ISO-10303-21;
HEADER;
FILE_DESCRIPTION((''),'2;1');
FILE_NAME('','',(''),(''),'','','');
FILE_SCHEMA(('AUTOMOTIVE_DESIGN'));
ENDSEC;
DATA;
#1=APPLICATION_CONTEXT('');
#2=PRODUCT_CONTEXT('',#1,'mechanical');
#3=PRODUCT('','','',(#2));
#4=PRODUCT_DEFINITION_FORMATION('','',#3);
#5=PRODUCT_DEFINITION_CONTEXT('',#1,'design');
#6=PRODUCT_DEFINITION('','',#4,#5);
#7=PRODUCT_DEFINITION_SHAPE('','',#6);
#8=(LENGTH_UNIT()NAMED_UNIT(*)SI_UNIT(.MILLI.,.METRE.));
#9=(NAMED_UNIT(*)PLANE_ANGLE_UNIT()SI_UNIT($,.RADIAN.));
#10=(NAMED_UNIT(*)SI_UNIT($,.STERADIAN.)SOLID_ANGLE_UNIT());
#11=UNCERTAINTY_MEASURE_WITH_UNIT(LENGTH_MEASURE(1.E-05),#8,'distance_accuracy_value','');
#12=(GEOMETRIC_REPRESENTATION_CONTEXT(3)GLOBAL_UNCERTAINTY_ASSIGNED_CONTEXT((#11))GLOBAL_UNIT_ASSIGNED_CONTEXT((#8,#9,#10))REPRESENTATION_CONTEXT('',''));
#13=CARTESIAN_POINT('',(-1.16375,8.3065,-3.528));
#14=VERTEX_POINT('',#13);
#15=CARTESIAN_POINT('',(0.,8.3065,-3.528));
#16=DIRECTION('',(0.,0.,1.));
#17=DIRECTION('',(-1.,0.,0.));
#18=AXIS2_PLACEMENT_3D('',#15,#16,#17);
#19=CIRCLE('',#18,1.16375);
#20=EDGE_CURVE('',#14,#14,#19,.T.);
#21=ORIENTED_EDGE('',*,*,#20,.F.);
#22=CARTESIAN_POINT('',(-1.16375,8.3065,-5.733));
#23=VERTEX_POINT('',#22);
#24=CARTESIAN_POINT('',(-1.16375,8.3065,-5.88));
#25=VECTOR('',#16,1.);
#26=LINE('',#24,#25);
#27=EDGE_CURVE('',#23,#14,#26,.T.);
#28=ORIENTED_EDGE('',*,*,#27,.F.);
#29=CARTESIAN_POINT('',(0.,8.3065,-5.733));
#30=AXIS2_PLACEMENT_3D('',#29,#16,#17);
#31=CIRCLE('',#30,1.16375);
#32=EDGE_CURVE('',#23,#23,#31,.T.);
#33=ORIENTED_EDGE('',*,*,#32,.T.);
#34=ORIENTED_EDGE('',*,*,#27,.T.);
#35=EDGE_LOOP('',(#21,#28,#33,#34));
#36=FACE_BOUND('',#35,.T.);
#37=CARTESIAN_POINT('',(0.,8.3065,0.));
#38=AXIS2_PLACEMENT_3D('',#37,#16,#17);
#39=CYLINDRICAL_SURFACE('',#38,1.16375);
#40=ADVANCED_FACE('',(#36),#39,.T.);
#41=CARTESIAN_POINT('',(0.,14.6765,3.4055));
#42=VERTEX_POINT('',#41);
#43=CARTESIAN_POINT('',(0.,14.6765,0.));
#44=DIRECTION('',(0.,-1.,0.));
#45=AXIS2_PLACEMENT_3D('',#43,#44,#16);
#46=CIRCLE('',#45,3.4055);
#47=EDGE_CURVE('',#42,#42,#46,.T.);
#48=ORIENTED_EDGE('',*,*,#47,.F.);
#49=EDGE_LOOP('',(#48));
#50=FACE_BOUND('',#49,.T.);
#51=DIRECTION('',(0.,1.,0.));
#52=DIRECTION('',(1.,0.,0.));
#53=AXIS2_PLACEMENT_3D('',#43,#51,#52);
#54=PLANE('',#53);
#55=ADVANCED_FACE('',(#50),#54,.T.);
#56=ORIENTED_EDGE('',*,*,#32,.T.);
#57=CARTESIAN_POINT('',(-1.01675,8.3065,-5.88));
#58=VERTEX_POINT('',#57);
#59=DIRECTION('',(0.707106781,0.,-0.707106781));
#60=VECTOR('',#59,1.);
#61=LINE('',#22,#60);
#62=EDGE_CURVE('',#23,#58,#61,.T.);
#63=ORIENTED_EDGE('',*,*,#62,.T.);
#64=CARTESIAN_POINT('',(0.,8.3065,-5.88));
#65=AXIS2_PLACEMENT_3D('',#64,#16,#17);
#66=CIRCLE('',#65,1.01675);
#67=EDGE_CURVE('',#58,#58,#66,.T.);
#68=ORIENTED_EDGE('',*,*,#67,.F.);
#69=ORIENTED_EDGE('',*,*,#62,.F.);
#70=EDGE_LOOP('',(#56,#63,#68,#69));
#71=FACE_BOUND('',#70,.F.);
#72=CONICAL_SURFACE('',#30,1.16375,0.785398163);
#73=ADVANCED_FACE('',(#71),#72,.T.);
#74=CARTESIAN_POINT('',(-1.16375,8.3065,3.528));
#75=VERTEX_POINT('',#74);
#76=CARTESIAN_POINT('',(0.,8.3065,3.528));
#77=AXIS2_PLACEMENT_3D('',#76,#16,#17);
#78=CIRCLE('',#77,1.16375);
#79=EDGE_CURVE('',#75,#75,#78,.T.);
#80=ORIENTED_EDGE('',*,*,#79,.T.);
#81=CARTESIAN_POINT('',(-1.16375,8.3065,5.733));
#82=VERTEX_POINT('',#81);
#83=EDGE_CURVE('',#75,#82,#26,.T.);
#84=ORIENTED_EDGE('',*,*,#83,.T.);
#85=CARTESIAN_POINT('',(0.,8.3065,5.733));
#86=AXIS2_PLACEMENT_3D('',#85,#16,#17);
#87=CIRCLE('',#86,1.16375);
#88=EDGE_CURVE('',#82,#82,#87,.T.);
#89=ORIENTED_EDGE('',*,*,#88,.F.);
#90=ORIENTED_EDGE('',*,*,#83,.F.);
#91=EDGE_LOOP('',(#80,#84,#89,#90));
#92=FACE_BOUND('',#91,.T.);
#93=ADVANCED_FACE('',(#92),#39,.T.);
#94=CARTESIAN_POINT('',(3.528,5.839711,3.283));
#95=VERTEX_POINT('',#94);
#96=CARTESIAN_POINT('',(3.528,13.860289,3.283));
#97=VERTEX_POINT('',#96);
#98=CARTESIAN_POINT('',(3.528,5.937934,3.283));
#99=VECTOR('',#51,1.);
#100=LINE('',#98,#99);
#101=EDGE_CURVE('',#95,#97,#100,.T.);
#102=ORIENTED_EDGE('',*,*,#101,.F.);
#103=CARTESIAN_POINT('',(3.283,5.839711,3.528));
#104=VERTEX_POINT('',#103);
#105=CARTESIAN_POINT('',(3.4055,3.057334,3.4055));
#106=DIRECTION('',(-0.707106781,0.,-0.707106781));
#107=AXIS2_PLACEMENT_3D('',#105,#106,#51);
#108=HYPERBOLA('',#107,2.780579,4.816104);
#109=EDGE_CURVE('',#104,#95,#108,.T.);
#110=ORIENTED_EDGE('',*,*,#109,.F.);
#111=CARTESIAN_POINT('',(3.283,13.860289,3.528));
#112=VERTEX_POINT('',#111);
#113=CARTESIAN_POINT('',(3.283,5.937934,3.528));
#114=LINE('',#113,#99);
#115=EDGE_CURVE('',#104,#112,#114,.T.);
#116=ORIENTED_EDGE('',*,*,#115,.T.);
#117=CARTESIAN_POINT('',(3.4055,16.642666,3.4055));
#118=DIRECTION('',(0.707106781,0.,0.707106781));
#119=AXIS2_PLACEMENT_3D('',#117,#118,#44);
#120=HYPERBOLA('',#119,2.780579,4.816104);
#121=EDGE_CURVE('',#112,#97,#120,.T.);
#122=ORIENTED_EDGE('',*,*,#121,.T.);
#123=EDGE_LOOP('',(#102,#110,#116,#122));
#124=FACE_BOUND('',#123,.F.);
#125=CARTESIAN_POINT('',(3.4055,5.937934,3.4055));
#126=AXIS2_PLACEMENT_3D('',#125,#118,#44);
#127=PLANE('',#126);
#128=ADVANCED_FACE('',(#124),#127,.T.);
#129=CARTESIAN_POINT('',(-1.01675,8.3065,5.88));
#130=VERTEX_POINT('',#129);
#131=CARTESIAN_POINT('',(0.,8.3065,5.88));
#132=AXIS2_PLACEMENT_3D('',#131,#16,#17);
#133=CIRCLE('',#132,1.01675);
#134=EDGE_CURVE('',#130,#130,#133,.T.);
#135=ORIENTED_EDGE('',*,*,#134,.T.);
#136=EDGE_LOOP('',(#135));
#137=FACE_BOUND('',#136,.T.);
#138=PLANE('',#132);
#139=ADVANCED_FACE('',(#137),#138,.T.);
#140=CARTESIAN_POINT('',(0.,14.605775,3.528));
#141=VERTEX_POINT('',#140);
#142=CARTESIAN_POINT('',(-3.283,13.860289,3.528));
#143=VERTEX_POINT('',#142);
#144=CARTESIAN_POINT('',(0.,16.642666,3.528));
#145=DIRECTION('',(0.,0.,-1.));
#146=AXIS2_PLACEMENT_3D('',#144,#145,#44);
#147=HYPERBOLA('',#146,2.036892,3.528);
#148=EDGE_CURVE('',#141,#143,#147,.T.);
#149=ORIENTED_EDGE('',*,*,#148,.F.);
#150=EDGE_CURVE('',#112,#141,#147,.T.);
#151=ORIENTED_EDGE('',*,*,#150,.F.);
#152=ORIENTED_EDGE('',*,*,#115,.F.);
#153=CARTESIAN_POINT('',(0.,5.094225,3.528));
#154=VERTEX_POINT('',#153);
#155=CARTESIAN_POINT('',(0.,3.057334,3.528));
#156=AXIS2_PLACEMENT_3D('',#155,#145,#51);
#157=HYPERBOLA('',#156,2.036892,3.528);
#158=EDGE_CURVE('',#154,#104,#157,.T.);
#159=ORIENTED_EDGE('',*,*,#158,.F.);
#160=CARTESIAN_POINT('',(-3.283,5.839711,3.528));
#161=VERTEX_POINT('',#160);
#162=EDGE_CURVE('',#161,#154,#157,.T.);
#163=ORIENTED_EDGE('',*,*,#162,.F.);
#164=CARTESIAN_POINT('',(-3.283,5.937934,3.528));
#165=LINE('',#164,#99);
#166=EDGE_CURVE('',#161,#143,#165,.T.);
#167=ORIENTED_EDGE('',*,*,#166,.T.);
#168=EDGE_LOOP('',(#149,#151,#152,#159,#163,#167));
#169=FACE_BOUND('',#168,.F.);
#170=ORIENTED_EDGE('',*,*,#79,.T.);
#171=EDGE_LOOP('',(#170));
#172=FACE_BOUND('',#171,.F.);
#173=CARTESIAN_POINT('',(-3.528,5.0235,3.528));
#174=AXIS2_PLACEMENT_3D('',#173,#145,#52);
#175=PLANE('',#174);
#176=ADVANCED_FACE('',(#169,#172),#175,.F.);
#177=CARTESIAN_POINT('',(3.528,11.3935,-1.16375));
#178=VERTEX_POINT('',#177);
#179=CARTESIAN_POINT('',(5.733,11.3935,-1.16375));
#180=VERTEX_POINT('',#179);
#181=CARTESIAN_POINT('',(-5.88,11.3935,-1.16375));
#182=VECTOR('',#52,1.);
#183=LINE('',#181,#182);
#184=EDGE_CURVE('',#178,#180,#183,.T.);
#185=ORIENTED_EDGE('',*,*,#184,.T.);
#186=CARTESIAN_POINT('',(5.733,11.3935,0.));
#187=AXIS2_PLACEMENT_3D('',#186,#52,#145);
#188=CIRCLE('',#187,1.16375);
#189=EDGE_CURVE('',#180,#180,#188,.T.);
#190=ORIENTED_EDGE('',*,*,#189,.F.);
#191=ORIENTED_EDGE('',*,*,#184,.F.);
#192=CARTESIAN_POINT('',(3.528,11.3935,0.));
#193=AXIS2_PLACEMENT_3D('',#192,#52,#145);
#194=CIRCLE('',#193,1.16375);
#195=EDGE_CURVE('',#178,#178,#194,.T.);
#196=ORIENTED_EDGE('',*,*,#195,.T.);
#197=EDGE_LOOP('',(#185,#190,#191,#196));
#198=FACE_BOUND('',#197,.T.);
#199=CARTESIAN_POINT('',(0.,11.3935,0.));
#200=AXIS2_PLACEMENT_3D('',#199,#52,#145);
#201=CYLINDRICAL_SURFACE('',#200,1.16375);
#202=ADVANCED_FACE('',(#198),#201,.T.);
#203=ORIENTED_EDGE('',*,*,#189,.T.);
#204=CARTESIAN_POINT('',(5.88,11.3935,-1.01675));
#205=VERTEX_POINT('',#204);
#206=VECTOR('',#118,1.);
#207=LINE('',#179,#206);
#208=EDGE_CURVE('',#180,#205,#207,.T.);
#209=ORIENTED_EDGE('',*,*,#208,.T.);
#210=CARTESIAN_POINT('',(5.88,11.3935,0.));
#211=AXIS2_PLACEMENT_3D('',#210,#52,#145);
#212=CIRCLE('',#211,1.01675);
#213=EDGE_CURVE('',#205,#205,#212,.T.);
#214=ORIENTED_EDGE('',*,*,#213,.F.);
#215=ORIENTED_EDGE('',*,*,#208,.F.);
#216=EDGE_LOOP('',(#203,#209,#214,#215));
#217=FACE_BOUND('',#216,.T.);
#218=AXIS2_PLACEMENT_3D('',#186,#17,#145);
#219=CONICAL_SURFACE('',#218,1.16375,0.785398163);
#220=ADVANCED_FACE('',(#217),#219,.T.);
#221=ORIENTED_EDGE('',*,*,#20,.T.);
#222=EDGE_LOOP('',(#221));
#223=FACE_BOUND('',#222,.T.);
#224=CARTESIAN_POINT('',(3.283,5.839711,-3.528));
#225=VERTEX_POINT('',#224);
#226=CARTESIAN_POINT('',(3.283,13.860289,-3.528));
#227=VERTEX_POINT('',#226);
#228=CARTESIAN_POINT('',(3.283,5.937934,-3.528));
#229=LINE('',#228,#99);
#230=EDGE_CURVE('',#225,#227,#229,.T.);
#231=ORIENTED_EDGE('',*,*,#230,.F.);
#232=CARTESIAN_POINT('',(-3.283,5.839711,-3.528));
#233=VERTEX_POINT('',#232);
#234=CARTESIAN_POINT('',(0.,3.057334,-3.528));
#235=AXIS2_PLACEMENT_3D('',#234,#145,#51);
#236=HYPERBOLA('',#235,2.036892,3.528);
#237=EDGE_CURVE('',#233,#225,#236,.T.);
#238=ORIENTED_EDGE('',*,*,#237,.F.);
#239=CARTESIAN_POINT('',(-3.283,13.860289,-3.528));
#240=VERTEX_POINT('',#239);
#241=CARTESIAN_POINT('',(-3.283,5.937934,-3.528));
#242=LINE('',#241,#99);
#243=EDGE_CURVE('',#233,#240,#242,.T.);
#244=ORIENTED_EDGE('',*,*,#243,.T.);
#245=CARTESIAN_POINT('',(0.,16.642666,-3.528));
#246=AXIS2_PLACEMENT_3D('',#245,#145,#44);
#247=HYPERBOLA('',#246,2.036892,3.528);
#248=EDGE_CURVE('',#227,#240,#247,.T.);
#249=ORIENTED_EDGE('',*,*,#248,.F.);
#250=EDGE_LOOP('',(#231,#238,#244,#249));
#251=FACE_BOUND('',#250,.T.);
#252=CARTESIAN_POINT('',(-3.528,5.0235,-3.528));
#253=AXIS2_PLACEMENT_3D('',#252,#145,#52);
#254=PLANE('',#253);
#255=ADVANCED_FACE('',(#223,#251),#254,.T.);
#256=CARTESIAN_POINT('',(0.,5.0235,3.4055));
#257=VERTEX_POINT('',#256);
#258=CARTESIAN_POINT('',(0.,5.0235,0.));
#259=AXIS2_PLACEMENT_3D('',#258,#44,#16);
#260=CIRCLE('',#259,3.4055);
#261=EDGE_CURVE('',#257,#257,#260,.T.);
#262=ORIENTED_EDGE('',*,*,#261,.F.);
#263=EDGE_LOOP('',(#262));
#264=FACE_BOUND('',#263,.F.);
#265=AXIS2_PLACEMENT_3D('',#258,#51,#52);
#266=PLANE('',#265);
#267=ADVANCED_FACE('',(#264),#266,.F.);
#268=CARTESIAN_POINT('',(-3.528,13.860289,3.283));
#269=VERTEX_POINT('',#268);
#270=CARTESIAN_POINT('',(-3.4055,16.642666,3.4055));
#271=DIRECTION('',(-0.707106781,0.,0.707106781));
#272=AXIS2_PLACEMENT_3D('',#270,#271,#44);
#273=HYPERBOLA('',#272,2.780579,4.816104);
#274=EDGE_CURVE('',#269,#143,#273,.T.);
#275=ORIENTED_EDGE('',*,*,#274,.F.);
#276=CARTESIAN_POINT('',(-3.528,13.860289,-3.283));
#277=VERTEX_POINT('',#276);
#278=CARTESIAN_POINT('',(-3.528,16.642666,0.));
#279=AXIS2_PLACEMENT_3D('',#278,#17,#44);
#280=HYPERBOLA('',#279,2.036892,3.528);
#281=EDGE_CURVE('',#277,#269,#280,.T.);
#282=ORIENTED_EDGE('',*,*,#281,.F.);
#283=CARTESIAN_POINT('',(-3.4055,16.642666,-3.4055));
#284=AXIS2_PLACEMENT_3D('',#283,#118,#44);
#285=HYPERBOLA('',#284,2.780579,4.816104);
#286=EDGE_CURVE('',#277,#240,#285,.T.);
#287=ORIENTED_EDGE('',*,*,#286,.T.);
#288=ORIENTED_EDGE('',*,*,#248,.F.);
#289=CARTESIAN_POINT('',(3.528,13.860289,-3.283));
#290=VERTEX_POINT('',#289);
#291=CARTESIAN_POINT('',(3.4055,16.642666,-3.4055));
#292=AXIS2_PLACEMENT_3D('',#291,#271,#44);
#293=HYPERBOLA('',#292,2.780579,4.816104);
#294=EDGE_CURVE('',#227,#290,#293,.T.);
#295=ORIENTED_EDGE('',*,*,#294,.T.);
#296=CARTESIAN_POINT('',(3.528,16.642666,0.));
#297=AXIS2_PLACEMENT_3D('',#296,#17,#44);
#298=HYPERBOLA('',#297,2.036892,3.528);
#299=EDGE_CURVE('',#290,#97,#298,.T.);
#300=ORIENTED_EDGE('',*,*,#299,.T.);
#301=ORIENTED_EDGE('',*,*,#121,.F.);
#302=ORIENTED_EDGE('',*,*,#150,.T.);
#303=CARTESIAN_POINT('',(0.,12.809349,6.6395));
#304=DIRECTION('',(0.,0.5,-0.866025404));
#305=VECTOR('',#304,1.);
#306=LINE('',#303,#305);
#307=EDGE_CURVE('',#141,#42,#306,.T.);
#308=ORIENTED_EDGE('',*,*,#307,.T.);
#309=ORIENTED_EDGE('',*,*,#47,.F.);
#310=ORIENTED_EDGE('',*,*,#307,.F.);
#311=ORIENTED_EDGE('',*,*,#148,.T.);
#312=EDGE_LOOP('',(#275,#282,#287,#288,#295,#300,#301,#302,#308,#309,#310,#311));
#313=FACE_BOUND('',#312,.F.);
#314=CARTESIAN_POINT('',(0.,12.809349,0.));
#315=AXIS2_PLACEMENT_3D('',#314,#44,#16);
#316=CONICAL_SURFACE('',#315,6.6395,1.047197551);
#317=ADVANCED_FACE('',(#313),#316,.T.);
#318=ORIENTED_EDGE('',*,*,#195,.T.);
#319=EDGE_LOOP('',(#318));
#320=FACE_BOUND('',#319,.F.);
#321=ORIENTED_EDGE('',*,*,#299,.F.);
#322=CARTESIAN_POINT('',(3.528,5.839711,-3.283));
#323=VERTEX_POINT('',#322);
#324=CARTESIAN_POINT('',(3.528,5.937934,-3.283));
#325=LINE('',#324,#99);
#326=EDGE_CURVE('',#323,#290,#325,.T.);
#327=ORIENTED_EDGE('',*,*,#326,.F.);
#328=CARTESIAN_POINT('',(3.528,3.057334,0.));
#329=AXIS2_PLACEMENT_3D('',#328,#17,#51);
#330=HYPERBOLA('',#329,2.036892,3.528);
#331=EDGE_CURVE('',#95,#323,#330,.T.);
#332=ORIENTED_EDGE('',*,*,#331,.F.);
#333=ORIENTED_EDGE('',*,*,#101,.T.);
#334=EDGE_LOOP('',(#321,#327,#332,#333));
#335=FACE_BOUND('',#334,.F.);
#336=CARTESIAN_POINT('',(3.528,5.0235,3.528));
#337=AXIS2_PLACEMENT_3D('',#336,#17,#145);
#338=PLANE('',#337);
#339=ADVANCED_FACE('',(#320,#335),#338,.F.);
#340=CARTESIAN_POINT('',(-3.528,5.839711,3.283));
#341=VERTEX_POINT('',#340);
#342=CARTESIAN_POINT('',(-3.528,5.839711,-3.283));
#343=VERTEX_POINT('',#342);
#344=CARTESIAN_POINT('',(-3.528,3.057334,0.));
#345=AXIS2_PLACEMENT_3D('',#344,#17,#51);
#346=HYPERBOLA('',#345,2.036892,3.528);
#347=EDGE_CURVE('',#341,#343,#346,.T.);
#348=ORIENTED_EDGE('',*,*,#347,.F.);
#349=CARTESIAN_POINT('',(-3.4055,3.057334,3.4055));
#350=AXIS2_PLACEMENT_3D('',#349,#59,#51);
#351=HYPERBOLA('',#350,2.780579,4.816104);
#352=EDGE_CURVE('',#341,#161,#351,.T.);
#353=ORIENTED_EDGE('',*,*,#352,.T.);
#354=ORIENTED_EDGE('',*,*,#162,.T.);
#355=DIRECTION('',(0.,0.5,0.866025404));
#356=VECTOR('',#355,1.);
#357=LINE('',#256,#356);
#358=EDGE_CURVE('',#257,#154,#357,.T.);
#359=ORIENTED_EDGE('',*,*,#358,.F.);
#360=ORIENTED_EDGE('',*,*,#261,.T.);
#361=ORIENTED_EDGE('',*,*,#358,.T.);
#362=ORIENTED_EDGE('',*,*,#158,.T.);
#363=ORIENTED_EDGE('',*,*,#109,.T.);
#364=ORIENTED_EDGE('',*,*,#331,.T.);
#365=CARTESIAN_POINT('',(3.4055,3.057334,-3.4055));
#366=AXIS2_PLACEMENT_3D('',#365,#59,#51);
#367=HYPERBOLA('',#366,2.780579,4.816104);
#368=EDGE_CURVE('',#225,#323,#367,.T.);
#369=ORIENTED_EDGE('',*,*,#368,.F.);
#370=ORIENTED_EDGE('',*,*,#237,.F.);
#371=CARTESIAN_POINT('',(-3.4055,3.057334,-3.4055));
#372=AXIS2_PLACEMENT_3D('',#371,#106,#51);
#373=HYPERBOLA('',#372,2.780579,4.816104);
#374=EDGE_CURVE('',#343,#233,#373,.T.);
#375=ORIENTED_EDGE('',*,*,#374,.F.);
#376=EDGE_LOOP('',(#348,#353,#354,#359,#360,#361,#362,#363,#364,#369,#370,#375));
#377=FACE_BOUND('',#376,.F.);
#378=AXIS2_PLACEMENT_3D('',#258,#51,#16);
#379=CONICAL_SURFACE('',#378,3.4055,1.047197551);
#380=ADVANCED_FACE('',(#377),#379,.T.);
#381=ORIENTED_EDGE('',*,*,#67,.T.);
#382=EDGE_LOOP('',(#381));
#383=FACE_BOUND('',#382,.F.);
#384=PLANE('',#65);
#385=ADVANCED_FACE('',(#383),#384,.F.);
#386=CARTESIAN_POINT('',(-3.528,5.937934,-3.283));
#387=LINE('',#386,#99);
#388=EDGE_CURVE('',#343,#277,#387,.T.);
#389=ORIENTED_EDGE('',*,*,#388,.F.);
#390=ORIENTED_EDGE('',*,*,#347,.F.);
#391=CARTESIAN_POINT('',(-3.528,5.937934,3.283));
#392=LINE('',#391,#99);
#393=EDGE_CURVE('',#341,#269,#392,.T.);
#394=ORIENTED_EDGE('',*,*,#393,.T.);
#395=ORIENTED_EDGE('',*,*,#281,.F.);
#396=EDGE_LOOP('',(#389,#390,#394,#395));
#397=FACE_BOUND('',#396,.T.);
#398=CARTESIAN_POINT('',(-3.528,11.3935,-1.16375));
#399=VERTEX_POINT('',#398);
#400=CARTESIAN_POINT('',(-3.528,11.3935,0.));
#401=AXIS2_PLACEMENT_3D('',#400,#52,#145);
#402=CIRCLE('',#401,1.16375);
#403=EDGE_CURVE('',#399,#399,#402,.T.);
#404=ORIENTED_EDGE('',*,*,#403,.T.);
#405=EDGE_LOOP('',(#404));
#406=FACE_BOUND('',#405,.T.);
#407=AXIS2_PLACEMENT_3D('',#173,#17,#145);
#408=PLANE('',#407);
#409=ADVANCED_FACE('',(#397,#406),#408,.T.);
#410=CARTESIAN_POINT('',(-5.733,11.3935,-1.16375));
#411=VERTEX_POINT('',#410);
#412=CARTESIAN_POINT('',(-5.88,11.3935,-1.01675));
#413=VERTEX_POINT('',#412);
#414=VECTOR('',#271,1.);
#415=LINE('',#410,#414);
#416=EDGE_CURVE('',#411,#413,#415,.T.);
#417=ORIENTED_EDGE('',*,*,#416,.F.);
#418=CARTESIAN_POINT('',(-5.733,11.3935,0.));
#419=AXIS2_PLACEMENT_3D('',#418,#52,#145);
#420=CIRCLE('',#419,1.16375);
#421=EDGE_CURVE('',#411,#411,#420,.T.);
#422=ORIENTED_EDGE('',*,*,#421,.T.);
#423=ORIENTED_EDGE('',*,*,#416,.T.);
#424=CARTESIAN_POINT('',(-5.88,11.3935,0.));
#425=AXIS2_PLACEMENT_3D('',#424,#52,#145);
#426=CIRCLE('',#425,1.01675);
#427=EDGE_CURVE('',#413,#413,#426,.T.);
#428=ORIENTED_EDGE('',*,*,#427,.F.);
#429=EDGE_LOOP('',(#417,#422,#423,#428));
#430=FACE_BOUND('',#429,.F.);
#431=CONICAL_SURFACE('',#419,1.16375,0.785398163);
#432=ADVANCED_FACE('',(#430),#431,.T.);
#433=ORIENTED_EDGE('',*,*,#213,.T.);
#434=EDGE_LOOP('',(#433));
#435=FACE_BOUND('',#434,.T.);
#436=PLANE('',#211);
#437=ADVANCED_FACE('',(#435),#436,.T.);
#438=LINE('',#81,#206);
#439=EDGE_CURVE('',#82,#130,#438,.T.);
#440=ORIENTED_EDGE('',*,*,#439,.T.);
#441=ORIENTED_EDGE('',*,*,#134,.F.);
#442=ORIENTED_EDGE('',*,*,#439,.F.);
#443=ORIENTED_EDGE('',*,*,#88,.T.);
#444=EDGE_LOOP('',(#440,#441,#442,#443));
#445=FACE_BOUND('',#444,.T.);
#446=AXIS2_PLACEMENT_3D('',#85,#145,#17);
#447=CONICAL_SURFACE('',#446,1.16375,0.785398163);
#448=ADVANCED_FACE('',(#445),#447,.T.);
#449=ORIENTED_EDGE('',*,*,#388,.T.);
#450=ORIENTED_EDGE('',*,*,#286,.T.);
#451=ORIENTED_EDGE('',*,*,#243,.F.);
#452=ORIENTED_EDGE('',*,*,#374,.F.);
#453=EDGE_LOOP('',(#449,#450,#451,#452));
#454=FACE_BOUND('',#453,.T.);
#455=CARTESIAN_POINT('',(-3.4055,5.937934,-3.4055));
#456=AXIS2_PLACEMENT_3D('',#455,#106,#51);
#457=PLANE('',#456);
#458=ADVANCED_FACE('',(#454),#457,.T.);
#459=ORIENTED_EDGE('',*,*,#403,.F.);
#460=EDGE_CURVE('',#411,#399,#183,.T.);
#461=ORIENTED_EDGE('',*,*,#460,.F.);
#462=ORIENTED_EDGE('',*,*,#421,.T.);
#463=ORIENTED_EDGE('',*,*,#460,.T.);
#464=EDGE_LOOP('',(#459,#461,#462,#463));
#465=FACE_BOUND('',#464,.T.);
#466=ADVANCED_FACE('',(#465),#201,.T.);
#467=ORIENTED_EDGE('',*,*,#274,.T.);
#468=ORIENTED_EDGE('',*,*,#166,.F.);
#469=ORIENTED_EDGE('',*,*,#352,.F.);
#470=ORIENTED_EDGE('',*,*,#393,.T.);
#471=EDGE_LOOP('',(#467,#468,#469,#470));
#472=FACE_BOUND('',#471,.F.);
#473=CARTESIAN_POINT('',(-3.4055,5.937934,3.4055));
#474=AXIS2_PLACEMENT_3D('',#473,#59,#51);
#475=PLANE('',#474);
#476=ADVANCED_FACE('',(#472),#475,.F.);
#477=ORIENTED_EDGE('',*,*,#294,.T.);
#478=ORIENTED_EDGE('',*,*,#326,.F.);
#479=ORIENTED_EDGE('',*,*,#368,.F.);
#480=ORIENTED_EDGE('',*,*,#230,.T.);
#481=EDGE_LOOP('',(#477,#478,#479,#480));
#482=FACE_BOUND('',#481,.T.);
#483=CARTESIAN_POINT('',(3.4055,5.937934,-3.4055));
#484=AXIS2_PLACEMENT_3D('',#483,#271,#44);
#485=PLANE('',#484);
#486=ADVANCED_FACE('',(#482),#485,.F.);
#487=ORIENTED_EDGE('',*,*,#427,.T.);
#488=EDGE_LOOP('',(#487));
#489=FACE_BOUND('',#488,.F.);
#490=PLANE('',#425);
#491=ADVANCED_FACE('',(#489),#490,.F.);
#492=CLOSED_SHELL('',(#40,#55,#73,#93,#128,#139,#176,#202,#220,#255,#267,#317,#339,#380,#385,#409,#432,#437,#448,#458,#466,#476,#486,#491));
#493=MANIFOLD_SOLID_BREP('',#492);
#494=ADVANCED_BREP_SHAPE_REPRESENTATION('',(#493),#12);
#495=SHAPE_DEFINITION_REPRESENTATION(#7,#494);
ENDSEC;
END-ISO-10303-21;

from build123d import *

# Parameters (mm, degrees)
SKETCH1_W           = 14.4
SKETCH1_H           = 14.4
BOSS_EXTRUDE1_DEPTH = 19.7
SKETCH3_R           = 2.375
BOSS_EXTRUDE2_DEPTH = 12
SKETCH4_R           = 2.375
BOSS_EXTRUDE3_DEPTH = 12
CHAMFER1_SIZE       = 0.3
CHAMFER2_SIZE       = 0.5
SCALE1_SCALE        = 0.49


with BuildPart() as part:
    # Sketch1 → Boss-Extrude1 (new body)
    with BuildSketch(Plane(origin=(0, 0, 0), x_dir=(1, 0, 0), z_dir=(0, 1, 0))):
        Rectangle(SKETCH1_W, SKETCH1_H)
    extrude(amount=BOSS_EXTRUDE1_DEPTH)

    # Sketch2 → Cut-Revolve1 (revolve, cut)
    with BuildSketch(Plane.XY, mode=Mode.PRIVATE) as cut_revolve1_sk:
        Polygon((-6.95, 19.7), (-16.09, 19.7), (-16.09, 0), (-6.95, 0), (-13.55, 3.810511777), (-13.55, 15.889488223), align=None)
    revolve(cut_revolve1_sk.sketch.rotate(Axis((0, 20.685, 0), (0, -1, 0)), 270), axis=Axis((0, 20.685, 0), (0, -1, 0)), mode=Mode.SUBTRACT)

    # Sketch3 → Boss-Extrude2 (add, symmetric)
    with BuildSketch(Plane.XY):
        with Locations(Location((0, 6.7, 0), (0, 0, 180))):
            Circle(SKETCH3_R)
    extrude(amount=BOSS_EXTRUDE2_DEPTH, both=True)

    # Sketch4 → Boss-Extrude3 (add, symmetric)
    with BuildSketch(Plane(origin=(0, 0, 0), x_dir=(0, 0, -1), z_dir=(1, 0, 0))):
        with Locations((0, 13)):
            Circle(SKETCH4_R)
    extrude(amount=BOSS_EXTRUDE3_DEPTH, both=True)

    # Chamfer1
    chamfer1_edges = [part.edges().sort_by_distance(p)[0] for p in [
        (2.375, 6.7, -12),
        (2.375, 6.7, 12),
        (-12, 13, 2.375),
        (12, 13, 2.375),
    ]]
    chamfer(chamfer1_edges, length=CHAMFER1_SIZE)

    # Chamfer2
    chamfer2_edges = [part.edges().sort_by_distance(p)[0] for p in [
        (7.2, 9.85, 7.2),
        (7.2, 9.85, -7.2),
        (-7.2, 9.85, 7.2),
        (-7.2, 9.85, -7.2),
    ]]
    chamfer(chamfer2_edges, length=CHAMFER2_SIZE)


with BuildPart() as part_1:
    # Scale1: scaled about (0, 9.85, 0)
    add(part.part.scale(SCALE1_SCALE).moved(Location((0, 5.0235, 0))))


solid = part_1.part
